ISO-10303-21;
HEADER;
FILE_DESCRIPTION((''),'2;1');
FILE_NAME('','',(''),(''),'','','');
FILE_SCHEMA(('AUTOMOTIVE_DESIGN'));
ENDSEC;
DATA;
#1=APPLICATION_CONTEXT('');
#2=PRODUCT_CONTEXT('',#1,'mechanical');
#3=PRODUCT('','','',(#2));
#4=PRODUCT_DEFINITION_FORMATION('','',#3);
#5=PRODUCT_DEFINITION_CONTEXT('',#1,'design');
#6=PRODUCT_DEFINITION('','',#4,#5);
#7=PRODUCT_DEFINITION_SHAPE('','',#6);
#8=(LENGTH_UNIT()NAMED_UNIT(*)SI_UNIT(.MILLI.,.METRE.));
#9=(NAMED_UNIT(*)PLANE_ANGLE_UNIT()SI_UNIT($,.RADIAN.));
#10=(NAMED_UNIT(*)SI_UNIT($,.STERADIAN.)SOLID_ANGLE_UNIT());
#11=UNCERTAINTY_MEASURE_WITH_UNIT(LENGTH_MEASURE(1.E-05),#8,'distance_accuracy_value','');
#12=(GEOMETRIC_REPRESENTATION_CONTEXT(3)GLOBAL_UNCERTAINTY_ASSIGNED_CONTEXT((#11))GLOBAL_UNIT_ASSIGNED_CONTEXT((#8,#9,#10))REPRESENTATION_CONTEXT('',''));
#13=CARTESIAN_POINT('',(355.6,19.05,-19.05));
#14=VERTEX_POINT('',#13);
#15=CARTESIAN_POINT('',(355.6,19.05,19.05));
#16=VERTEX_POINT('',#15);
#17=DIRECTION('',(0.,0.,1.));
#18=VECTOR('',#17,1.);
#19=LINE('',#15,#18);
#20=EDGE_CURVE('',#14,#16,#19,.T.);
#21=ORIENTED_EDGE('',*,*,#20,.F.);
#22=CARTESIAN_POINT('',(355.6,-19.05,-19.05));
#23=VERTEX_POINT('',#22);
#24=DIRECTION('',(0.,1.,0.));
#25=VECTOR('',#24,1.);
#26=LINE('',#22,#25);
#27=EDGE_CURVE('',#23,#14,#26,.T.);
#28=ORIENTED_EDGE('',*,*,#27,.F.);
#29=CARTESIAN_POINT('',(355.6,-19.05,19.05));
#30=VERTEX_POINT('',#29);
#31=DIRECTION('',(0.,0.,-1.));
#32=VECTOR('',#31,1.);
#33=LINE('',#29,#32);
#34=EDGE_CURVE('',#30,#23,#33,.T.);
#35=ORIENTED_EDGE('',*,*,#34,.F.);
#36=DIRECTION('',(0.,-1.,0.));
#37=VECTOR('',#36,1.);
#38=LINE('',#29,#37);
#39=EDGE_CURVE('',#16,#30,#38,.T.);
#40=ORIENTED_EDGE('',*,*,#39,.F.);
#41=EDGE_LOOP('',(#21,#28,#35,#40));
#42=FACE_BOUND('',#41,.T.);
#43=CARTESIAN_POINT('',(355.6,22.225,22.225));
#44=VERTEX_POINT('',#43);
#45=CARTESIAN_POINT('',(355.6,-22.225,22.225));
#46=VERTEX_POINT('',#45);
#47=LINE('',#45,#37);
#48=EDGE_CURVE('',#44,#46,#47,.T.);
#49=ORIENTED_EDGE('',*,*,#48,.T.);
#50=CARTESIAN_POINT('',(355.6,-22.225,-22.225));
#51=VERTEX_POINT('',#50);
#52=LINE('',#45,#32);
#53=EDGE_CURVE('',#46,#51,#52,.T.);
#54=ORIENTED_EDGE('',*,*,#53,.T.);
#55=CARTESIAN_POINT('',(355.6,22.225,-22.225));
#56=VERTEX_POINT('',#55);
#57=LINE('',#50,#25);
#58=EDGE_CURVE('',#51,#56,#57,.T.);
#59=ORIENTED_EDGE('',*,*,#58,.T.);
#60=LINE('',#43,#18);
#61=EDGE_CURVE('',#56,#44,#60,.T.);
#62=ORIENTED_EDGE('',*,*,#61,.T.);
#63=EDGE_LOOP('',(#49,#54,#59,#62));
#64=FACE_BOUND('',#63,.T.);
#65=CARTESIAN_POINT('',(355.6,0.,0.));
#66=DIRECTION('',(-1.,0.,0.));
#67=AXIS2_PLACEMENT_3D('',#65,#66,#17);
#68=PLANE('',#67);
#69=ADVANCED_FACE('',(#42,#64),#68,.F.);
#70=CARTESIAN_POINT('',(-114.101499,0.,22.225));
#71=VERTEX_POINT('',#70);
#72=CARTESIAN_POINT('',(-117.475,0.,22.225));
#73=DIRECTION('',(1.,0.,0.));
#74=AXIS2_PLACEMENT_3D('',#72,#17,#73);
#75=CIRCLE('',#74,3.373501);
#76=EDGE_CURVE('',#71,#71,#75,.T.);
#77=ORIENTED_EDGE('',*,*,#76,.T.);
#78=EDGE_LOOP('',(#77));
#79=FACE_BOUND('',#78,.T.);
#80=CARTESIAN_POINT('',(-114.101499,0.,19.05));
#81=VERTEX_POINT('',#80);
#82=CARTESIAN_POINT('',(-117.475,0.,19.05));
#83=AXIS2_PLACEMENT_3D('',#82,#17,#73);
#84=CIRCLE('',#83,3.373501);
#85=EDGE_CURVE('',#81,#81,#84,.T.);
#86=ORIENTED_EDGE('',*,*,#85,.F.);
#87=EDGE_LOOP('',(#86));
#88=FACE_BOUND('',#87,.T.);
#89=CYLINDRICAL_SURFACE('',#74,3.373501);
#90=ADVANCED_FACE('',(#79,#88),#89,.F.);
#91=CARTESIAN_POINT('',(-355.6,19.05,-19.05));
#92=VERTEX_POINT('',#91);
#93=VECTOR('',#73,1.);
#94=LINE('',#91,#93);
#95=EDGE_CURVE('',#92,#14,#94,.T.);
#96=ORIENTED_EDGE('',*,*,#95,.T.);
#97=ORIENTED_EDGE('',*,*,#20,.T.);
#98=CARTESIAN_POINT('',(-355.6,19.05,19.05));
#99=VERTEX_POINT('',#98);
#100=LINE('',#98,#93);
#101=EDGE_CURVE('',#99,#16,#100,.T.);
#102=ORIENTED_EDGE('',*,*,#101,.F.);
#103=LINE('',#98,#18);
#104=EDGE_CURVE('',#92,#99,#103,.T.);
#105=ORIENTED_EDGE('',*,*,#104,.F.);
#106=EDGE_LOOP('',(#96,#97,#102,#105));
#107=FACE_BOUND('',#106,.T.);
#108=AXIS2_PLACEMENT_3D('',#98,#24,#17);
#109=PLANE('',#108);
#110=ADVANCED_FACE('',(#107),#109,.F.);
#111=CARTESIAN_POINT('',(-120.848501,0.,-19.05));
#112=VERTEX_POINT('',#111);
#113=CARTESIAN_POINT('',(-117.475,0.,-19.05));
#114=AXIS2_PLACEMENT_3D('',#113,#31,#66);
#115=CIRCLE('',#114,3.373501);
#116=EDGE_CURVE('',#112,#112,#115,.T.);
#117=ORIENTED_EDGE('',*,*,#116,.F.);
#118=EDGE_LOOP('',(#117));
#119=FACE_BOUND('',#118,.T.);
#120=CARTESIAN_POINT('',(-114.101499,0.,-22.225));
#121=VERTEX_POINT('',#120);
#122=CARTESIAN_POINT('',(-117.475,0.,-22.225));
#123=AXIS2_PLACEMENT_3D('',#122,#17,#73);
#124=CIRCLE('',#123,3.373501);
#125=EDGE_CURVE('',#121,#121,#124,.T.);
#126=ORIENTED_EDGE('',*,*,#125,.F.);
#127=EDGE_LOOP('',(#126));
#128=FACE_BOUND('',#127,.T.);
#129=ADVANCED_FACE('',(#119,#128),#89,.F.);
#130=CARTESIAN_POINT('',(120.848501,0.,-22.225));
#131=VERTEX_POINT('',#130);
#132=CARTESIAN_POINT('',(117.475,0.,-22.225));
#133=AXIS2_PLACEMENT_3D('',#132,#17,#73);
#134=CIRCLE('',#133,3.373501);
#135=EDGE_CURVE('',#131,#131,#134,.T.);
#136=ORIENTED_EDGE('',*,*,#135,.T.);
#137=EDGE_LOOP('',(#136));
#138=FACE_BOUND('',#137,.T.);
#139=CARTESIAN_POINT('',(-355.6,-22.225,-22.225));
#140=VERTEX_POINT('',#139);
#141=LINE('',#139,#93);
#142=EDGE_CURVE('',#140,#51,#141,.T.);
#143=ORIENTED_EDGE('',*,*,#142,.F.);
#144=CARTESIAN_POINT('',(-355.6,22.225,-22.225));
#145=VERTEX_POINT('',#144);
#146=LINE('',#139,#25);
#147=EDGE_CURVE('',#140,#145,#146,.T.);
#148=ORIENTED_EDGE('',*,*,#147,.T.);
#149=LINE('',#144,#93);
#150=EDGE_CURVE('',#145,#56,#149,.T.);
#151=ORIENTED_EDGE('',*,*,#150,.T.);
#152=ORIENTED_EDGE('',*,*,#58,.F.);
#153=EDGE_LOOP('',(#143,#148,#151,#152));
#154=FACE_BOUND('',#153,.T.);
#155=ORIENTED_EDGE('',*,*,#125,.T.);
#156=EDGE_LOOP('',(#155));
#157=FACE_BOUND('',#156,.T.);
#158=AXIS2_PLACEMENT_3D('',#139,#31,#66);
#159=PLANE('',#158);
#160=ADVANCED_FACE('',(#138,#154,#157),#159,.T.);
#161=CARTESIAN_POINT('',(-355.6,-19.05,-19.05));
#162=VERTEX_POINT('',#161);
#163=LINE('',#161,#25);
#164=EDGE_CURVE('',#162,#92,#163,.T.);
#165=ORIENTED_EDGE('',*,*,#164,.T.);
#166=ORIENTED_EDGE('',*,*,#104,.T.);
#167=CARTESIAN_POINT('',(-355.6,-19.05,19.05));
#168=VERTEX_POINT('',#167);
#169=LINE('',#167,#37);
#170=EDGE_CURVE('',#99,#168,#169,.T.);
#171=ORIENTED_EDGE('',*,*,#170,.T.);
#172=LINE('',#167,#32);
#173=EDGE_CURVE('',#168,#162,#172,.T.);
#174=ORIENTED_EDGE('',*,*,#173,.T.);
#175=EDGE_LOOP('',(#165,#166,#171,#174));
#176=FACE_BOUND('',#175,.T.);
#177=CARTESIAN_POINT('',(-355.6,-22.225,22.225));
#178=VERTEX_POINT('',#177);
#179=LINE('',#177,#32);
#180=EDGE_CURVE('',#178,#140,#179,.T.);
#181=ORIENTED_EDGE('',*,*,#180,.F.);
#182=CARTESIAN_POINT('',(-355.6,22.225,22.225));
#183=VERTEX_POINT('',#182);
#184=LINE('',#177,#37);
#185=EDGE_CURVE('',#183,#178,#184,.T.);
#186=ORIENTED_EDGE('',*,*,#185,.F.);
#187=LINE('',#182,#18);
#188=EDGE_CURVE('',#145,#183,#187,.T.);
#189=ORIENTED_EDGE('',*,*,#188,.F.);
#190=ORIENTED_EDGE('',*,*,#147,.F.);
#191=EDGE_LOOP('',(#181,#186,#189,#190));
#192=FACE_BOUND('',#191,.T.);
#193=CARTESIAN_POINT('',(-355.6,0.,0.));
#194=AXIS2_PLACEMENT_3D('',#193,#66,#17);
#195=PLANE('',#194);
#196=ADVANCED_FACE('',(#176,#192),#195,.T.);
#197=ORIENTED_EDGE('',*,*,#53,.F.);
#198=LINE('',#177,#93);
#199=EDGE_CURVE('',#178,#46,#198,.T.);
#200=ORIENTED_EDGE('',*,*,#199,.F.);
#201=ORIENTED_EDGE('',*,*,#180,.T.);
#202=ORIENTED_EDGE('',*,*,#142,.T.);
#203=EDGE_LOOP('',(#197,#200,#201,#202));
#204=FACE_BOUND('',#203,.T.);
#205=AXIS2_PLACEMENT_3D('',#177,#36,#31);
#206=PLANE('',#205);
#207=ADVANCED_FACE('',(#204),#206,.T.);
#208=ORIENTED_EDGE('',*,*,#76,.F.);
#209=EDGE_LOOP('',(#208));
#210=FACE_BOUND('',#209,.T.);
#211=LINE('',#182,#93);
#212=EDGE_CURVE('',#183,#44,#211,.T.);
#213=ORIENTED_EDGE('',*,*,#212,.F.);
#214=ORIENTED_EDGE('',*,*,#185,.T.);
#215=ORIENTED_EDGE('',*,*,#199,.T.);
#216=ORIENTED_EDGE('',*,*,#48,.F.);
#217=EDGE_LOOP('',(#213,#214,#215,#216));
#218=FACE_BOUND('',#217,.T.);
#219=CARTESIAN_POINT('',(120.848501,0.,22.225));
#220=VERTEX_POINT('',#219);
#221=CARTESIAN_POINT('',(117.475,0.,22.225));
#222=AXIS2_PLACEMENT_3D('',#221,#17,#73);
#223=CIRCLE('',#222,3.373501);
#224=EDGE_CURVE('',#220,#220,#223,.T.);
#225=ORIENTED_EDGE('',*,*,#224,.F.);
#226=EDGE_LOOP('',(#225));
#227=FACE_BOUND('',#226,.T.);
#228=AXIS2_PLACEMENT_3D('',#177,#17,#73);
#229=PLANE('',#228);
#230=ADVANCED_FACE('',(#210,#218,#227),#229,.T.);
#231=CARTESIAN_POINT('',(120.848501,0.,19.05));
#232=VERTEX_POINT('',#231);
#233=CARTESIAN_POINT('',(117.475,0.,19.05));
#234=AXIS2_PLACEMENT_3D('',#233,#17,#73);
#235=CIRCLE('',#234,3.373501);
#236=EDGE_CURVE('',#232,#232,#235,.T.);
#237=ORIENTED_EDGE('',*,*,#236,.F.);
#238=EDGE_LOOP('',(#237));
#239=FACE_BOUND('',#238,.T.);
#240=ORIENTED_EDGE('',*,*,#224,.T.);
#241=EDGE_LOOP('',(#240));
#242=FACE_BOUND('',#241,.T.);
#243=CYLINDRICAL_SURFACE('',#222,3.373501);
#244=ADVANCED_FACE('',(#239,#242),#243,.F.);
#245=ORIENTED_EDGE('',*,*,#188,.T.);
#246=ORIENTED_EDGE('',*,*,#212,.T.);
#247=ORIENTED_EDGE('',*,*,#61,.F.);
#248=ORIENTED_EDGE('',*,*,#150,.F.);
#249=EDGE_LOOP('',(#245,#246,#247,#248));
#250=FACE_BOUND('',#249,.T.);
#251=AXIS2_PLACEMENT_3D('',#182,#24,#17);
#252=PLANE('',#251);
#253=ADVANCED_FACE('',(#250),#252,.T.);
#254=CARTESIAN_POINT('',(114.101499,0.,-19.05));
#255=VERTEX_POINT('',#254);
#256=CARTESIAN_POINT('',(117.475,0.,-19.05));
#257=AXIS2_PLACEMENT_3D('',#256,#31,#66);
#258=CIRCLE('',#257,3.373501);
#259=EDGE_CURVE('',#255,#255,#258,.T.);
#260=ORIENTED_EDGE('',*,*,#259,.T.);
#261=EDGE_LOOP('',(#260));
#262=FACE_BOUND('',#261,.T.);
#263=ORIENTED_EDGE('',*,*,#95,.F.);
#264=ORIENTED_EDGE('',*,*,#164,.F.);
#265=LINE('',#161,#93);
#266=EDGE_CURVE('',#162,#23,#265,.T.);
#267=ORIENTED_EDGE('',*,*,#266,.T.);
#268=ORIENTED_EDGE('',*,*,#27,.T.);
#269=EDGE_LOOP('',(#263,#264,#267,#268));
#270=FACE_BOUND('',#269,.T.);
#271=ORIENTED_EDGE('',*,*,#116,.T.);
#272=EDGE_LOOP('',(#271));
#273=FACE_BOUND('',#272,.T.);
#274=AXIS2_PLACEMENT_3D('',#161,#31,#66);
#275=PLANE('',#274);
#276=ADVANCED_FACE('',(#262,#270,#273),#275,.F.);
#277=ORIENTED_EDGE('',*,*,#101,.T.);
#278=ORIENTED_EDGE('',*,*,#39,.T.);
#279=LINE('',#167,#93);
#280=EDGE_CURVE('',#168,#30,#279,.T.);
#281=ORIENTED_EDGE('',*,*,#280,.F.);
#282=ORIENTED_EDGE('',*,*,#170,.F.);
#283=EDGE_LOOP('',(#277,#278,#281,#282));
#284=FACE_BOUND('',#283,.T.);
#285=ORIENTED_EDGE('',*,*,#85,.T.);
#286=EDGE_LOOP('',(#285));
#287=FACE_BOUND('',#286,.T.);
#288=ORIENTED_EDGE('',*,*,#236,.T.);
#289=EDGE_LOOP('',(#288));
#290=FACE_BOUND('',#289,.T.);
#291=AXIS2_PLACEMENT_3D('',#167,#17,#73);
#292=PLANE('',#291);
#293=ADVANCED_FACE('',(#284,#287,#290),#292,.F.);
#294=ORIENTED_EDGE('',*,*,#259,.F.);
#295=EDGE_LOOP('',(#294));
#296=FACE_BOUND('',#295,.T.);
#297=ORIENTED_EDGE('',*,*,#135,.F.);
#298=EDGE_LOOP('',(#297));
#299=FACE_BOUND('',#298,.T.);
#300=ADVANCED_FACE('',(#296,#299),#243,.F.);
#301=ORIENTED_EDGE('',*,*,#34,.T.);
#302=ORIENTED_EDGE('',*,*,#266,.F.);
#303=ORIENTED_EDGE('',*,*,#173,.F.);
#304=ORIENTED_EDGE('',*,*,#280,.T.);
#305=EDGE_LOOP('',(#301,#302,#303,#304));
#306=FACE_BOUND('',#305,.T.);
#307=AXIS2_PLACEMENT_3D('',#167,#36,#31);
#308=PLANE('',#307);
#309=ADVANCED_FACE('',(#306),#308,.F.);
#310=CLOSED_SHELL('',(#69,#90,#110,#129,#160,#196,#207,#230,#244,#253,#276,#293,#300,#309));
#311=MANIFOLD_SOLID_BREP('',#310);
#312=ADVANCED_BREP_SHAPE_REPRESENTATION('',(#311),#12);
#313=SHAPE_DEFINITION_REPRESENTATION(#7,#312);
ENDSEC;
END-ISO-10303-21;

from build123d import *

# Parameters (mm, degrees)
SKETCH1_W                        = 44.45
SKETCH1_H                        = 44.45
SKETCH1_W_2                      = 38.1
SKETCH1_H_2                      = 38.1
BOSS_EXTRUDE1_DEPTH              = 355.6
BOSS_EXTRUDE1_DEPTH_BACK         = 355.6
F_17_64_0_26563_DIAMETER_HOLE1_D = 6.747002


with BuildPart() as part:
    # Sketch1 → Boss-Extrude1 (new body, two sides)
    with BuildSketch(Plane(origin=(0, 0, 0), x_dir=(0, 0, -1), z_dir=(1, 0, 0))) as boss_extrude1_sk:
        Rectangle(SKETCH1_W, SKETCH1_H)
        Rectangle(SKETCH1_W_2, SKETCH1_H_2, mode=Mode.SUBTRACT)
    extrude(amount=BOSS_EXTRUDE1_DEPTH)
    extrude(boss_extrude1_sk.sketch, amount=-BOSS_EXTRUDE1_DEPTH_BACK)

    # 17/64 (0.26563) Diameter Hole1 (through all)
    with Locations(Plane.XY.offset(22.225)):
        with Locations((-117.475, 0), (117.475, 0)):
            Hole(F_17_64_0_26563_DIAMETER_HOLE1_D / 2)


solid = part.part
